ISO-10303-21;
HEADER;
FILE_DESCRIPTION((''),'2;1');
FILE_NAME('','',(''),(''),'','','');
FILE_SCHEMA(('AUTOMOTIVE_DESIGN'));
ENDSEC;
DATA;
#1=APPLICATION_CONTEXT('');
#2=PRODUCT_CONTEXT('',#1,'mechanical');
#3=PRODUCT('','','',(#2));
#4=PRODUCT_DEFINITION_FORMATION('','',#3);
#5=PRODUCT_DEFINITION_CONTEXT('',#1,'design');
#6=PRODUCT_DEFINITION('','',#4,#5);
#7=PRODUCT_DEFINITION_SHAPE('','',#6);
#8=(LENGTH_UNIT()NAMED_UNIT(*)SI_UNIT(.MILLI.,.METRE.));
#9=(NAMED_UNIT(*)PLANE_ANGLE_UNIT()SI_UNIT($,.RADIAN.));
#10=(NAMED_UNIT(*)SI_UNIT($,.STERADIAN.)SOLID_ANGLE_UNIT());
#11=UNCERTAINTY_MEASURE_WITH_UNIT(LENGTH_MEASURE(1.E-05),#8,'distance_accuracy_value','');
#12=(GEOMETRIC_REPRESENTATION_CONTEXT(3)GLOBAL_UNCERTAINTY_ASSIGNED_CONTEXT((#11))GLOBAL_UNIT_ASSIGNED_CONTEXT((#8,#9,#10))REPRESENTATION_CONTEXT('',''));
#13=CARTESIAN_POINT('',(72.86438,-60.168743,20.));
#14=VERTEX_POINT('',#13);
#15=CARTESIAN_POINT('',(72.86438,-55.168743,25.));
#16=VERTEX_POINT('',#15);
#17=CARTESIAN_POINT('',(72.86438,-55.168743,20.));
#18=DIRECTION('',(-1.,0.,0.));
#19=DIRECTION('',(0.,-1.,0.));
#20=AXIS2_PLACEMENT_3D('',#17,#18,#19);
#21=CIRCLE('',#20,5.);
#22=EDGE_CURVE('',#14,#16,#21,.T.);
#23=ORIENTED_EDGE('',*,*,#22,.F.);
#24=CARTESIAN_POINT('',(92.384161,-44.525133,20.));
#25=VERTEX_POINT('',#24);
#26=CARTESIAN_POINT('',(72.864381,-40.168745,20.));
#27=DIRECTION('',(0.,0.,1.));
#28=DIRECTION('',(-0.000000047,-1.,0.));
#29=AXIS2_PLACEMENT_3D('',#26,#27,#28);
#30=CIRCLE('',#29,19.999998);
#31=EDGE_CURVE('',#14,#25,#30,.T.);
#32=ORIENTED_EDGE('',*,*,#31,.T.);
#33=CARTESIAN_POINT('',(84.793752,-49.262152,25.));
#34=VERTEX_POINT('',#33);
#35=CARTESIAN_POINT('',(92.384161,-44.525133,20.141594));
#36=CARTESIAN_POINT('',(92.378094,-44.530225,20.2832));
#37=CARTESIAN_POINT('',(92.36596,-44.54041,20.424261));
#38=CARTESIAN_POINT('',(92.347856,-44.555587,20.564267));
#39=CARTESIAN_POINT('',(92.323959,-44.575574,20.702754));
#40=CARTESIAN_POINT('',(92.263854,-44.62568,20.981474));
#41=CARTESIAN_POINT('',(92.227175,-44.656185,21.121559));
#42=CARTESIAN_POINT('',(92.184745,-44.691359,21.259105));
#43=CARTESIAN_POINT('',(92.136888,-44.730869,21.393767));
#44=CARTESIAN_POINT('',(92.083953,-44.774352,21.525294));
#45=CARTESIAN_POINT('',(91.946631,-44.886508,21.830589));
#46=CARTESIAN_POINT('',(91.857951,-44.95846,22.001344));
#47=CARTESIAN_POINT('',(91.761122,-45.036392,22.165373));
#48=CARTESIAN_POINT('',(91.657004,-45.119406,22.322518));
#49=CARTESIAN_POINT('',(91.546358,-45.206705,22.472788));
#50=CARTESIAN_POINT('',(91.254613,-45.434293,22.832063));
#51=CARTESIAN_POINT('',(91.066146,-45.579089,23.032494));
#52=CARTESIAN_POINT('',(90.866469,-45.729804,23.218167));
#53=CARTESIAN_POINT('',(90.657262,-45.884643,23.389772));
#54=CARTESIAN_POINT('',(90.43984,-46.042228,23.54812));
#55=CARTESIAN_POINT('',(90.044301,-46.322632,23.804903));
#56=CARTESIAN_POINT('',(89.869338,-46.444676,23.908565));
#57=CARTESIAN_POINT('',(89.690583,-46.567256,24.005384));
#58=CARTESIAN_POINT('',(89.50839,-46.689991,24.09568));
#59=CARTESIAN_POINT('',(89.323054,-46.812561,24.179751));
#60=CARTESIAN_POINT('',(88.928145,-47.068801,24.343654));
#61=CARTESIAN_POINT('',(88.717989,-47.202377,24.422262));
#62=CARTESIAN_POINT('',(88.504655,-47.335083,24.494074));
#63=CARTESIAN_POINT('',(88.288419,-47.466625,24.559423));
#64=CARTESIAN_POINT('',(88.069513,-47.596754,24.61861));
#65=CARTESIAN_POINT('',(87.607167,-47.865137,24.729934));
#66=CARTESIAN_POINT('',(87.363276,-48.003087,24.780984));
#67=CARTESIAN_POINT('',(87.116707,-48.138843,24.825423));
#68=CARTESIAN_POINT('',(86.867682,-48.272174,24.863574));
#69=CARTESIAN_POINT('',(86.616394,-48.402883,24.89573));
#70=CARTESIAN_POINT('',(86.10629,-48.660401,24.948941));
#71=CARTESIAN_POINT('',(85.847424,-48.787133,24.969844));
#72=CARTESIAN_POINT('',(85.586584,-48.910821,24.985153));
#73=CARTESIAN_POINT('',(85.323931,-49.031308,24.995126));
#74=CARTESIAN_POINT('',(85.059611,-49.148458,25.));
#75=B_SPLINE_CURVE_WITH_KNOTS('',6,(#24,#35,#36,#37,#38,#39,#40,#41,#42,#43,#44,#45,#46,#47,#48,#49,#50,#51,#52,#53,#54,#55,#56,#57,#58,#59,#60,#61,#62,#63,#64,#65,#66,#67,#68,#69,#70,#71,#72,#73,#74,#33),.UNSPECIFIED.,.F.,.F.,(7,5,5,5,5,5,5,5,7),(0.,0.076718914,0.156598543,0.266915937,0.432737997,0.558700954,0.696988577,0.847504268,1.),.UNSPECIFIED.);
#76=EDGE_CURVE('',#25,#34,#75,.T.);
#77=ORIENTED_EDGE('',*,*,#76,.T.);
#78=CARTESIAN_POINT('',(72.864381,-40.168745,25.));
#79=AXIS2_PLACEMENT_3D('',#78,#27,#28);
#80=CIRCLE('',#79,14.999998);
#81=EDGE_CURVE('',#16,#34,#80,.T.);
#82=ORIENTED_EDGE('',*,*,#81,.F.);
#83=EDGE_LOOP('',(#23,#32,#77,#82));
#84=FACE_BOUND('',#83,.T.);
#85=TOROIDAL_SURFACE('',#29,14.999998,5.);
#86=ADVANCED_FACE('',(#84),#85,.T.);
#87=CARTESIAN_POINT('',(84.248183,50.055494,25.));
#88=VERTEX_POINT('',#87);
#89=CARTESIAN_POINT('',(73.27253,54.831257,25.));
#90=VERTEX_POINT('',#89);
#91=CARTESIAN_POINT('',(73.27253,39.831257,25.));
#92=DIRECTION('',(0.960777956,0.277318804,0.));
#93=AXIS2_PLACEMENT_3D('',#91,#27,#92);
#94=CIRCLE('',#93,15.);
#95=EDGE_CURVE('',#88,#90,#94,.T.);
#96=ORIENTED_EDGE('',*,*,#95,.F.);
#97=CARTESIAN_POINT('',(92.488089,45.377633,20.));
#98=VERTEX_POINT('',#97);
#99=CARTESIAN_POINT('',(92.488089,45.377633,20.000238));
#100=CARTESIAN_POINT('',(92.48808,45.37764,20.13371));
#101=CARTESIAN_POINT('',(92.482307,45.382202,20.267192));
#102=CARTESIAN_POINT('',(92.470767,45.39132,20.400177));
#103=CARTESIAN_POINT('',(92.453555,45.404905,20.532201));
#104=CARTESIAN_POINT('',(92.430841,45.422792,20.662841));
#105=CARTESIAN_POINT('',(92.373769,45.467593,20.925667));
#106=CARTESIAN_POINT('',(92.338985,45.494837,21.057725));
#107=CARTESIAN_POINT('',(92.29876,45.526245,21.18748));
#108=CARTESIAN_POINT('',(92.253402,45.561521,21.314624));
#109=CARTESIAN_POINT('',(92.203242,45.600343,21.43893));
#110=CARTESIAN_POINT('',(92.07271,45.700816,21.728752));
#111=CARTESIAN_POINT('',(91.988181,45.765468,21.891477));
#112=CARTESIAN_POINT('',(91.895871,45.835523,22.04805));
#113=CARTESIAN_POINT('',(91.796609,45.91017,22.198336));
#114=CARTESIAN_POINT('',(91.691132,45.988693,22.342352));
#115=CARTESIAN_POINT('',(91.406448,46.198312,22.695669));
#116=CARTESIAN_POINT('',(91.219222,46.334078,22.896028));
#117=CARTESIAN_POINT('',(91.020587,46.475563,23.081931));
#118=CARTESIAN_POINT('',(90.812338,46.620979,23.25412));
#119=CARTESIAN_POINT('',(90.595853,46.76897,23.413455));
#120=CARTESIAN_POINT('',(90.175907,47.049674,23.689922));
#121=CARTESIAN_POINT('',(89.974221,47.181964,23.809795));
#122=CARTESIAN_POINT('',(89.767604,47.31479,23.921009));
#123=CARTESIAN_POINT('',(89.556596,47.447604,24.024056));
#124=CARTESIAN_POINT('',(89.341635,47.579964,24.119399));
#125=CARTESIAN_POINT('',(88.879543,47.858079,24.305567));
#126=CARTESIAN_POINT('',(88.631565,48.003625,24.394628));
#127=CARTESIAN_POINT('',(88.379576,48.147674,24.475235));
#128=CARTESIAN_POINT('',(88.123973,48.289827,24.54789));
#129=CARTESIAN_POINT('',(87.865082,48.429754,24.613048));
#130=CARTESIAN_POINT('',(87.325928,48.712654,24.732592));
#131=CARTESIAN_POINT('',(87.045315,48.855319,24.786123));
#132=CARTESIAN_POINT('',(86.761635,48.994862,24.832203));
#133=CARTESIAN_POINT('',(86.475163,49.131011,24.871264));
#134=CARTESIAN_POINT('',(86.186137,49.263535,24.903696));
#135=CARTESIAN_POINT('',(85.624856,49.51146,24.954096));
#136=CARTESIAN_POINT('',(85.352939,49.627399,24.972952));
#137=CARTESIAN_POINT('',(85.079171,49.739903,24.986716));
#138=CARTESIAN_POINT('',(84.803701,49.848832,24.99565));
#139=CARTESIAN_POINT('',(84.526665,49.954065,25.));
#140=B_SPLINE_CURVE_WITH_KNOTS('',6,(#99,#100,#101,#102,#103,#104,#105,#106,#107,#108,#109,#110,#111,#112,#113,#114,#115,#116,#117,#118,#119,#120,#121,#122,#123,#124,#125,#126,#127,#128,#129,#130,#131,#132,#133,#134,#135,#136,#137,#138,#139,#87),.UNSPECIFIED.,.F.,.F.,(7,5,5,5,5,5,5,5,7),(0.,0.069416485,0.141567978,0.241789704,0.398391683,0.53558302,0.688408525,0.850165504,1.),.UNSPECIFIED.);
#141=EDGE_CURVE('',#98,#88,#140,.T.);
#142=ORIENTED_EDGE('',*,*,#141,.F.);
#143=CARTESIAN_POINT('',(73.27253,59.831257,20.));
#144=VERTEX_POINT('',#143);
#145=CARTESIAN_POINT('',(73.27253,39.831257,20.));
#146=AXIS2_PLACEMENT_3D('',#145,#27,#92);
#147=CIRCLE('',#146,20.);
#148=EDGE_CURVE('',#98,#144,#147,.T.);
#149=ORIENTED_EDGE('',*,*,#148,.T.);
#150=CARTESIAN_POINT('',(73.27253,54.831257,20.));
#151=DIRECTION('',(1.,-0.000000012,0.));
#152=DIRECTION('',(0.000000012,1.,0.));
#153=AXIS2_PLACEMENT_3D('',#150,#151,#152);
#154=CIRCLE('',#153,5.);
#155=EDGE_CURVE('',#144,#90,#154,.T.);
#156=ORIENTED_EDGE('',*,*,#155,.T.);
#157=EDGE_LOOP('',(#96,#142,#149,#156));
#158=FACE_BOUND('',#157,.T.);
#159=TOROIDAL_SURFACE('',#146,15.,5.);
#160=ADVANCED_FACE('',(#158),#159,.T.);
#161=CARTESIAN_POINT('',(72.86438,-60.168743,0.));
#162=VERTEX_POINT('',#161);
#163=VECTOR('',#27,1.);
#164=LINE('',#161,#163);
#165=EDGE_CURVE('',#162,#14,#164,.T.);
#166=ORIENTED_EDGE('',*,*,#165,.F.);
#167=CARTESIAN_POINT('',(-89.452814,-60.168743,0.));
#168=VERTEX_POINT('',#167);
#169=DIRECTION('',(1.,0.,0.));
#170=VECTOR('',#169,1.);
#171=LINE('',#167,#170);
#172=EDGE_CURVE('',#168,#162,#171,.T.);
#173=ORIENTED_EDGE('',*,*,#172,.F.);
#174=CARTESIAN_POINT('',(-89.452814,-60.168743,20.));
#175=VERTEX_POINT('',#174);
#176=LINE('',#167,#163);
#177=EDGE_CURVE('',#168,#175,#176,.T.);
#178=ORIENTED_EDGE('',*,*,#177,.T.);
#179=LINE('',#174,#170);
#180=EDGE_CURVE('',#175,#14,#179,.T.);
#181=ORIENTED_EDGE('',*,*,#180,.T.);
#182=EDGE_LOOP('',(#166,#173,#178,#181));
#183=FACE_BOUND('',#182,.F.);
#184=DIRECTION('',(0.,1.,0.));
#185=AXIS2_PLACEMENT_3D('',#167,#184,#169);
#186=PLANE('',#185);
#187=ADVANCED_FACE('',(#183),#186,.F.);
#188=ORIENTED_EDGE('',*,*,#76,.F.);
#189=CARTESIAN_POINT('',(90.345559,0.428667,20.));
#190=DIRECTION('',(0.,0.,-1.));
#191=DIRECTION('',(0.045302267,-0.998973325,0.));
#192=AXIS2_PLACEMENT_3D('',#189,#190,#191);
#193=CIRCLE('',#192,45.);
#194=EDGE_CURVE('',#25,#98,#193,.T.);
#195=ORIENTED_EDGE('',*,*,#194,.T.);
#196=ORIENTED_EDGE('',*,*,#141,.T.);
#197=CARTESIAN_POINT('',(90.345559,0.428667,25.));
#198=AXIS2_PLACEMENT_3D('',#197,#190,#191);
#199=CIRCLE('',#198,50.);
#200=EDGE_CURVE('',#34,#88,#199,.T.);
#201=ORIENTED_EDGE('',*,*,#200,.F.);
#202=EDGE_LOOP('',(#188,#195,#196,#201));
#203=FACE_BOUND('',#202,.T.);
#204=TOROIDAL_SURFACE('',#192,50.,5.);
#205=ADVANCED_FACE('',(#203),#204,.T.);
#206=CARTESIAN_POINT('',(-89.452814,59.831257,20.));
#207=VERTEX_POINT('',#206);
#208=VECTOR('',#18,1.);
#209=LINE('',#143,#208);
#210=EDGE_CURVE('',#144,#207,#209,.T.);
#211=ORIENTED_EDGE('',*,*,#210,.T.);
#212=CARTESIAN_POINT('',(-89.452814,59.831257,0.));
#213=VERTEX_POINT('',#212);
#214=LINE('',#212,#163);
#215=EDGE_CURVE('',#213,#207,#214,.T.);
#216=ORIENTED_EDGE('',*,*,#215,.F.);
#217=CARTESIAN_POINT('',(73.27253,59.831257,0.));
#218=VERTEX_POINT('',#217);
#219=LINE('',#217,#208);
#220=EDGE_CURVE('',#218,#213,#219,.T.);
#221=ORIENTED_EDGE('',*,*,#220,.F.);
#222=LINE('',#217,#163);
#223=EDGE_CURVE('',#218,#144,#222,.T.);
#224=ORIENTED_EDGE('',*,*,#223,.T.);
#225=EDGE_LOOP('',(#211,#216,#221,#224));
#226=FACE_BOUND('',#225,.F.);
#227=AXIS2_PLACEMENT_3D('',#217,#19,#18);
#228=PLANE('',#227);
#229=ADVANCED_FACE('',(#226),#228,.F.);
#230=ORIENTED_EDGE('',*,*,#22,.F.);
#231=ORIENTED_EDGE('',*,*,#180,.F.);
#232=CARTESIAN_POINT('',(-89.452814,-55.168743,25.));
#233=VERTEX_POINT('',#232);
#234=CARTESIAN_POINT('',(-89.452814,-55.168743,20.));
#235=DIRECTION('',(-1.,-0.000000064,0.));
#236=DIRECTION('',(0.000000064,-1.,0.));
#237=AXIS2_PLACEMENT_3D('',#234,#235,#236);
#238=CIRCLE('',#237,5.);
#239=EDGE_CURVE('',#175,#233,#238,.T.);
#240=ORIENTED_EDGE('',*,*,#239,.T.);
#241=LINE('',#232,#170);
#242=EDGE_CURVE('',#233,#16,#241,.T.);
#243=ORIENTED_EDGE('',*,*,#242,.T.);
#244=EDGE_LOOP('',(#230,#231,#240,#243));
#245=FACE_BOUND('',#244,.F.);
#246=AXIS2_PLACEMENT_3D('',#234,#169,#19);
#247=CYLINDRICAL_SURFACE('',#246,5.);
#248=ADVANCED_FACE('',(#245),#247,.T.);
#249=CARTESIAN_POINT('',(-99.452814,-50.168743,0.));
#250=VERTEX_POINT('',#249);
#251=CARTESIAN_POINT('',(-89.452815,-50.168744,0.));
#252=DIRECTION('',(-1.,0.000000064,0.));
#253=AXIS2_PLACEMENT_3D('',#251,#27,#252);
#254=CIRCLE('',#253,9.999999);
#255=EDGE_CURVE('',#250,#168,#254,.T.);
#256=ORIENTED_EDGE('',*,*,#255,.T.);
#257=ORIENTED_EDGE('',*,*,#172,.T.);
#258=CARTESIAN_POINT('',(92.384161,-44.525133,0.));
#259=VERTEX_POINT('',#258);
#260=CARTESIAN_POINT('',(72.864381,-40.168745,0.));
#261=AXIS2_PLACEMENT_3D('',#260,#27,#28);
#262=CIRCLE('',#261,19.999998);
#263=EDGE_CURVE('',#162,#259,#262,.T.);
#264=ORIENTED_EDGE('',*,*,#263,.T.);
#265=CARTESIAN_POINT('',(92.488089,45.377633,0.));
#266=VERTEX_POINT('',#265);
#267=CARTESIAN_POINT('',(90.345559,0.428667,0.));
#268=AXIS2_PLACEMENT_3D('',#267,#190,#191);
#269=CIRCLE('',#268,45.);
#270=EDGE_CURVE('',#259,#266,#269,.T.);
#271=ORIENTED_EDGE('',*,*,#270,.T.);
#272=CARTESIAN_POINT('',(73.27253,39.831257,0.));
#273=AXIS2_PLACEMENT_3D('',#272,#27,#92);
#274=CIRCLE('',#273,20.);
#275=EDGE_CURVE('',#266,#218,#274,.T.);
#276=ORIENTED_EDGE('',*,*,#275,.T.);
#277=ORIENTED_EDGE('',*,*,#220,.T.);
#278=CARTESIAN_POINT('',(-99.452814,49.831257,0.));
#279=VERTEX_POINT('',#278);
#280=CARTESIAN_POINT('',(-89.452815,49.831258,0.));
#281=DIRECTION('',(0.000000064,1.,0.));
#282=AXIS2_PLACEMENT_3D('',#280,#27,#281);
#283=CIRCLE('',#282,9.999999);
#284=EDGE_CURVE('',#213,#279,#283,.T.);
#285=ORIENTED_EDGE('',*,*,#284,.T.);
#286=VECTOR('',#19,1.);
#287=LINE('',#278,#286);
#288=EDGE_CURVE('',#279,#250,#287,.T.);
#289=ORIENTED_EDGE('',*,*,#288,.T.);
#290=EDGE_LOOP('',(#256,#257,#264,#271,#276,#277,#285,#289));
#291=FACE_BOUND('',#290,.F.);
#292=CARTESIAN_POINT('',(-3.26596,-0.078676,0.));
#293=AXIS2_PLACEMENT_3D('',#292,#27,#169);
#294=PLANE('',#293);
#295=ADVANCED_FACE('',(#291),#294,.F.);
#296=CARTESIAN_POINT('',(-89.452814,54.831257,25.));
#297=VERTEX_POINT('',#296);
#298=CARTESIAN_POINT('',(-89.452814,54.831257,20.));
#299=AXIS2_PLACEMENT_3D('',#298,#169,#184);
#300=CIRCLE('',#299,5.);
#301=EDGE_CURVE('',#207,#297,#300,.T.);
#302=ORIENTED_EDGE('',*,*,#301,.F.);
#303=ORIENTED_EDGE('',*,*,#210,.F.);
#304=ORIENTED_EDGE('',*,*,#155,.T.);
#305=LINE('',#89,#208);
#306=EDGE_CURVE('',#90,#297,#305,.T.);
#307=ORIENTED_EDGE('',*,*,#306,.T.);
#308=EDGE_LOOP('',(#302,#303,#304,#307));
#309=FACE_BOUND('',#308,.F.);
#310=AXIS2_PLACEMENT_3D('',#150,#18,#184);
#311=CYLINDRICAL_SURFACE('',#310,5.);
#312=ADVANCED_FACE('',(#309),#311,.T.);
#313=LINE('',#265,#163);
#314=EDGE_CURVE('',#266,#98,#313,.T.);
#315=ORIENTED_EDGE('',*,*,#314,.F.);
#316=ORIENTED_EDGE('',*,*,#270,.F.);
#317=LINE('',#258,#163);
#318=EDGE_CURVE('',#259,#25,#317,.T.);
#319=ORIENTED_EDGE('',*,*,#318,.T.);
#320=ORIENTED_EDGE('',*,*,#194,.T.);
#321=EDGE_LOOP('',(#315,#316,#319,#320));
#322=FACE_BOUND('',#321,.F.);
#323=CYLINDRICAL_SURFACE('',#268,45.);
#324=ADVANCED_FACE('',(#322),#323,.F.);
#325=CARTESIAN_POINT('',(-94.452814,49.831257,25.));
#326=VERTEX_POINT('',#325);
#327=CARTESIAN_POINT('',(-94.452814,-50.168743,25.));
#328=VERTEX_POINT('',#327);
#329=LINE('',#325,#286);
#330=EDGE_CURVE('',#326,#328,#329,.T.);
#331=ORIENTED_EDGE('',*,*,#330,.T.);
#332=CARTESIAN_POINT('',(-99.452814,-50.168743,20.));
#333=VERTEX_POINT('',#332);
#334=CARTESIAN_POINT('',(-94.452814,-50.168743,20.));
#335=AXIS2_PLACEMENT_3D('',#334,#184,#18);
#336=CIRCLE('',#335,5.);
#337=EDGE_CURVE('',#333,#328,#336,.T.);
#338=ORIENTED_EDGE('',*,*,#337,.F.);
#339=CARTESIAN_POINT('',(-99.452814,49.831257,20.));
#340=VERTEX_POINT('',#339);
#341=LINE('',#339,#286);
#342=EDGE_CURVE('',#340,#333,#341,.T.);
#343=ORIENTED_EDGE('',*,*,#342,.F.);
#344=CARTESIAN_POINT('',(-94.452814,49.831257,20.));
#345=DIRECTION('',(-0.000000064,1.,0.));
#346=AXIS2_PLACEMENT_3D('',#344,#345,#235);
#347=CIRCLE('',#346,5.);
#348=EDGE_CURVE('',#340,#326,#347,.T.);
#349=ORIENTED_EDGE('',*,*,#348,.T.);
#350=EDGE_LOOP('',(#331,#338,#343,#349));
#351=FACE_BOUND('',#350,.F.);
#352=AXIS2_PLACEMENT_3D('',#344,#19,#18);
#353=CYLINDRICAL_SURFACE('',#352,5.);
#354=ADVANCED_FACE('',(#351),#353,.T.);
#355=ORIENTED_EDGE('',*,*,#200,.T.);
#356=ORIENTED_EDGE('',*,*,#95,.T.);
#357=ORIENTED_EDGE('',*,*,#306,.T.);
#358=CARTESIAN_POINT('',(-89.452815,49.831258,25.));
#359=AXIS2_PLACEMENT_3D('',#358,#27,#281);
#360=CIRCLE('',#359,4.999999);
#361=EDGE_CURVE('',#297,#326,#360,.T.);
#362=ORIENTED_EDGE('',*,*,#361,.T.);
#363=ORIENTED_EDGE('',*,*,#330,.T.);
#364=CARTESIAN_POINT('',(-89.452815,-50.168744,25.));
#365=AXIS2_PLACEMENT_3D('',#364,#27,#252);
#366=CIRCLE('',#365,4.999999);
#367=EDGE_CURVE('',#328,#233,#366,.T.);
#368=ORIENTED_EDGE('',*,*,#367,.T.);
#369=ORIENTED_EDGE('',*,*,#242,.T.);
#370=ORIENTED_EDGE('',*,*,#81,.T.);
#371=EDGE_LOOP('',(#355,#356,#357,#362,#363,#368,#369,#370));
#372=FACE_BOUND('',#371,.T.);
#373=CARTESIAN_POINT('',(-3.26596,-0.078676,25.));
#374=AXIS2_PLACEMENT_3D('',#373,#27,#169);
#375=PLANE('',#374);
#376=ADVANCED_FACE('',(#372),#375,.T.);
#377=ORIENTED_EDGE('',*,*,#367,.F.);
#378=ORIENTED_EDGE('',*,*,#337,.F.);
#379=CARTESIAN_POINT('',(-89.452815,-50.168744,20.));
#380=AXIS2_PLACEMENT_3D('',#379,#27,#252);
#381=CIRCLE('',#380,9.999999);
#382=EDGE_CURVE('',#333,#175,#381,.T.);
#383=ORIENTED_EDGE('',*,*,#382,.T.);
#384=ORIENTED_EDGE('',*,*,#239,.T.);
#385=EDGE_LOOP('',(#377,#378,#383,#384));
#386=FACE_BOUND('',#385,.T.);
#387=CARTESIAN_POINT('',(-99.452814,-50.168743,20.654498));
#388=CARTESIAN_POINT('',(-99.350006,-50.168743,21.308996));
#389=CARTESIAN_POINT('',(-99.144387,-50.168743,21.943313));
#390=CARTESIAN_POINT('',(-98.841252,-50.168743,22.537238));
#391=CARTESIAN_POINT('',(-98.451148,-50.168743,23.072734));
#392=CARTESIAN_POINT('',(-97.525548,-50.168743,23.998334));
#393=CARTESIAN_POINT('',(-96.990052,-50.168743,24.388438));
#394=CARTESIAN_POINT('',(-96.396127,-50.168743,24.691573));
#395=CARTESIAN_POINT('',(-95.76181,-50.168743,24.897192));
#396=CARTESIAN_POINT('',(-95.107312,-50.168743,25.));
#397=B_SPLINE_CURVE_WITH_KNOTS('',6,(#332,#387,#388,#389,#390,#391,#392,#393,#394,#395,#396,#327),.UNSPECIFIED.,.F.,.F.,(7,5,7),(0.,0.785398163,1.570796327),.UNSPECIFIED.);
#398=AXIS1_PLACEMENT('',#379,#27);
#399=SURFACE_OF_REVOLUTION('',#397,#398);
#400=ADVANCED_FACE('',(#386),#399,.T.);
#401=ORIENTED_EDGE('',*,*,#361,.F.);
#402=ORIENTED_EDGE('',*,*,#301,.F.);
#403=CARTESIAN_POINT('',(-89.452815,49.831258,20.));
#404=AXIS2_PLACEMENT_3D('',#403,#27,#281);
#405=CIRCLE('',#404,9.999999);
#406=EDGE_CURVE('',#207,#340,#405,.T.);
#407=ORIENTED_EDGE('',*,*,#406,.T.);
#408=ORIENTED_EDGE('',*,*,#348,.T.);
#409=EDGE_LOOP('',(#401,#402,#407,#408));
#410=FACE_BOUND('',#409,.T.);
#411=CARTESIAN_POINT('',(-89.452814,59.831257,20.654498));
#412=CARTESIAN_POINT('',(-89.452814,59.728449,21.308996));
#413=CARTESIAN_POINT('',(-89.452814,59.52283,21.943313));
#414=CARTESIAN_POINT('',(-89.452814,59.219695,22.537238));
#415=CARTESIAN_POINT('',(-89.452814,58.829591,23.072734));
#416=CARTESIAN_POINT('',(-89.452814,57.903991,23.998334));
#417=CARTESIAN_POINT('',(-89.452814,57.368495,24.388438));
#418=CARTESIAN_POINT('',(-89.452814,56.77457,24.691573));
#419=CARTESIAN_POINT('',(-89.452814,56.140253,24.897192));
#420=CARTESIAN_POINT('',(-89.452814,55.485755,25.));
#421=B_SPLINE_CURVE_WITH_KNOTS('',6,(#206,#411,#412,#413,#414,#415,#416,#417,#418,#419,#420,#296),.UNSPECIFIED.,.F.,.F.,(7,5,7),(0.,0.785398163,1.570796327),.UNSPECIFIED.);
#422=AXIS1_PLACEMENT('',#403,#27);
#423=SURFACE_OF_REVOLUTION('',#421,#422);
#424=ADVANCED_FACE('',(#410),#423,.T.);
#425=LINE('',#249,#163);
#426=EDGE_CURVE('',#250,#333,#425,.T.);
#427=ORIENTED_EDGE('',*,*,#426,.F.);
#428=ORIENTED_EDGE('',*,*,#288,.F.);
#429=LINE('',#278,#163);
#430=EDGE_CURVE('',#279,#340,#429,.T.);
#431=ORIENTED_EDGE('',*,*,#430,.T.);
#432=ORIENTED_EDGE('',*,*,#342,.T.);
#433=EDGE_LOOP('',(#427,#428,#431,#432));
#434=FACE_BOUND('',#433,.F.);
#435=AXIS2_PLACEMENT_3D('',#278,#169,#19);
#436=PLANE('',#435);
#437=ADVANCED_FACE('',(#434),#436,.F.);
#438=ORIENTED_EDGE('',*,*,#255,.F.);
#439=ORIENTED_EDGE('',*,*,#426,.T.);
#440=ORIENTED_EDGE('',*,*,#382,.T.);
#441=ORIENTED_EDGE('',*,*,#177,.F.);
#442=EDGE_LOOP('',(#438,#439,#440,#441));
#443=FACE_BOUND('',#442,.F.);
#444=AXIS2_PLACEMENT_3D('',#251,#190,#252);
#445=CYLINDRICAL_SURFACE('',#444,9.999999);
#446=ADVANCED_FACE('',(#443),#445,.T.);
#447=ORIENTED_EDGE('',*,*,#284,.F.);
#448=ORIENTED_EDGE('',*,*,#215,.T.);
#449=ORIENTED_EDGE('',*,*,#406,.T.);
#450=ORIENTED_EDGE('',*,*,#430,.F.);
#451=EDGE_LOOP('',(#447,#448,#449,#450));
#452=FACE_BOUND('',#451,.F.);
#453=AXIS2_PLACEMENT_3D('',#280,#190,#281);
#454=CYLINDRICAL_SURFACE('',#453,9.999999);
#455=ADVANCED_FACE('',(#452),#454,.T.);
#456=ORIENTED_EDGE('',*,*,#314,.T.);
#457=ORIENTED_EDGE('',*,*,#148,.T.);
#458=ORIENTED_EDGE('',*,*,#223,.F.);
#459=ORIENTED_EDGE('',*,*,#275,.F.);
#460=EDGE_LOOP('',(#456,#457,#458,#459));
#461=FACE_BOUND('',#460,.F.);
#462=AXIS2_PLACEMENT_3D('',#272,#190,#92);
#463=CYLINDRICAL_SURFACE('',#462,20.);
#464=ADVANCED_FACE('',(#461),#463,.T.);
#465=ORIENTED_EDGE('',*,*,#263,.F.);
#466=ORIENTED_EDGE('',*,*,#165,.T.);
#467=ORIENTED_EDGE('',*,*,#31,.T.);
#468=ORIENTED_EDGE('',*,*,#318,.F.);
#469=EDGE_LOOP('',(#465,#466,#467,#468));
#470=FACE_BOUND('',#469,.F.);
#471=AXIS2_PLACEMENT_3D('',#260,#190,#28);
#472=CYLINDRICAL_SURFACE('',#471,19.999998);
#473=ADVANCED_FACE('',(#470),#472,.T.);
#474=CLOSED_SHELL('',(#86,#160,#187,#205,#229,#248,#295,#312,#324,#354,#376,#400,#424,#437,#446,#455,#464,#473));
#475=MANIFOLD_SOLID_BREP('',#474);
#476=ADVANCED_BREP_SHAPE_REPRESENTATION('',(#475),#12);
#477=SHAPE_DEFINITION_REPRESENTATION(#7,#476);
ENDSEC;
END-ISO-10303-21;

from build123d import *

# Parameters (mm, degrees)
F1_DEPTH = 25
F2_R     = 5


with BuildPart() as f1:
    # F0 (on Top) → F1 (new body)
    with BuildSketch(Plane.XY):
        with BuildLine():
            Line((73.27253, 59.831257), (-89.452814, 59.831257))
            ThreePointArc((-89.452814, 59.831257), (-96.523882, 56.902325), (-99.452814, 49.831257))
            Line((-99.452814, 49.831257), (-99.452814, -50.168743))
            ThreePointArc((-99.452814, -50.168743), (-96.523882, -57.239811), (-89.452814, -60.168743))
            Line((-89.452814, -60.168743), (72.86438, -60.168743))
            ThreePointArc((72.86438, -60.168743), (85.371822, -55.775277), (92.384161, -44.525133))
            ThreePointArc((92.384161, -44.525133), (45.345589, 0.480687), (92.488089, 45.377633))
            ThreePointArc((92.488089, 45.377633), (85.294852, 55.814491), (73.27253, 59.831257))
        make_face()
    extrude(amount=F1_DEPTH)

    # F2
    f2_edges = [f1.edges().sort_by_distance(p)[0] for p in [
        (-8.090142, 59.831257, 25),
        (-99.452814, -0.168743, 25),
        (-8.294217, -60.168743, 25),
        (45.345589, 0.480687, 25),
    ]]
    fillet(f2_edges, radius=F2_R)


solid = f1.part
